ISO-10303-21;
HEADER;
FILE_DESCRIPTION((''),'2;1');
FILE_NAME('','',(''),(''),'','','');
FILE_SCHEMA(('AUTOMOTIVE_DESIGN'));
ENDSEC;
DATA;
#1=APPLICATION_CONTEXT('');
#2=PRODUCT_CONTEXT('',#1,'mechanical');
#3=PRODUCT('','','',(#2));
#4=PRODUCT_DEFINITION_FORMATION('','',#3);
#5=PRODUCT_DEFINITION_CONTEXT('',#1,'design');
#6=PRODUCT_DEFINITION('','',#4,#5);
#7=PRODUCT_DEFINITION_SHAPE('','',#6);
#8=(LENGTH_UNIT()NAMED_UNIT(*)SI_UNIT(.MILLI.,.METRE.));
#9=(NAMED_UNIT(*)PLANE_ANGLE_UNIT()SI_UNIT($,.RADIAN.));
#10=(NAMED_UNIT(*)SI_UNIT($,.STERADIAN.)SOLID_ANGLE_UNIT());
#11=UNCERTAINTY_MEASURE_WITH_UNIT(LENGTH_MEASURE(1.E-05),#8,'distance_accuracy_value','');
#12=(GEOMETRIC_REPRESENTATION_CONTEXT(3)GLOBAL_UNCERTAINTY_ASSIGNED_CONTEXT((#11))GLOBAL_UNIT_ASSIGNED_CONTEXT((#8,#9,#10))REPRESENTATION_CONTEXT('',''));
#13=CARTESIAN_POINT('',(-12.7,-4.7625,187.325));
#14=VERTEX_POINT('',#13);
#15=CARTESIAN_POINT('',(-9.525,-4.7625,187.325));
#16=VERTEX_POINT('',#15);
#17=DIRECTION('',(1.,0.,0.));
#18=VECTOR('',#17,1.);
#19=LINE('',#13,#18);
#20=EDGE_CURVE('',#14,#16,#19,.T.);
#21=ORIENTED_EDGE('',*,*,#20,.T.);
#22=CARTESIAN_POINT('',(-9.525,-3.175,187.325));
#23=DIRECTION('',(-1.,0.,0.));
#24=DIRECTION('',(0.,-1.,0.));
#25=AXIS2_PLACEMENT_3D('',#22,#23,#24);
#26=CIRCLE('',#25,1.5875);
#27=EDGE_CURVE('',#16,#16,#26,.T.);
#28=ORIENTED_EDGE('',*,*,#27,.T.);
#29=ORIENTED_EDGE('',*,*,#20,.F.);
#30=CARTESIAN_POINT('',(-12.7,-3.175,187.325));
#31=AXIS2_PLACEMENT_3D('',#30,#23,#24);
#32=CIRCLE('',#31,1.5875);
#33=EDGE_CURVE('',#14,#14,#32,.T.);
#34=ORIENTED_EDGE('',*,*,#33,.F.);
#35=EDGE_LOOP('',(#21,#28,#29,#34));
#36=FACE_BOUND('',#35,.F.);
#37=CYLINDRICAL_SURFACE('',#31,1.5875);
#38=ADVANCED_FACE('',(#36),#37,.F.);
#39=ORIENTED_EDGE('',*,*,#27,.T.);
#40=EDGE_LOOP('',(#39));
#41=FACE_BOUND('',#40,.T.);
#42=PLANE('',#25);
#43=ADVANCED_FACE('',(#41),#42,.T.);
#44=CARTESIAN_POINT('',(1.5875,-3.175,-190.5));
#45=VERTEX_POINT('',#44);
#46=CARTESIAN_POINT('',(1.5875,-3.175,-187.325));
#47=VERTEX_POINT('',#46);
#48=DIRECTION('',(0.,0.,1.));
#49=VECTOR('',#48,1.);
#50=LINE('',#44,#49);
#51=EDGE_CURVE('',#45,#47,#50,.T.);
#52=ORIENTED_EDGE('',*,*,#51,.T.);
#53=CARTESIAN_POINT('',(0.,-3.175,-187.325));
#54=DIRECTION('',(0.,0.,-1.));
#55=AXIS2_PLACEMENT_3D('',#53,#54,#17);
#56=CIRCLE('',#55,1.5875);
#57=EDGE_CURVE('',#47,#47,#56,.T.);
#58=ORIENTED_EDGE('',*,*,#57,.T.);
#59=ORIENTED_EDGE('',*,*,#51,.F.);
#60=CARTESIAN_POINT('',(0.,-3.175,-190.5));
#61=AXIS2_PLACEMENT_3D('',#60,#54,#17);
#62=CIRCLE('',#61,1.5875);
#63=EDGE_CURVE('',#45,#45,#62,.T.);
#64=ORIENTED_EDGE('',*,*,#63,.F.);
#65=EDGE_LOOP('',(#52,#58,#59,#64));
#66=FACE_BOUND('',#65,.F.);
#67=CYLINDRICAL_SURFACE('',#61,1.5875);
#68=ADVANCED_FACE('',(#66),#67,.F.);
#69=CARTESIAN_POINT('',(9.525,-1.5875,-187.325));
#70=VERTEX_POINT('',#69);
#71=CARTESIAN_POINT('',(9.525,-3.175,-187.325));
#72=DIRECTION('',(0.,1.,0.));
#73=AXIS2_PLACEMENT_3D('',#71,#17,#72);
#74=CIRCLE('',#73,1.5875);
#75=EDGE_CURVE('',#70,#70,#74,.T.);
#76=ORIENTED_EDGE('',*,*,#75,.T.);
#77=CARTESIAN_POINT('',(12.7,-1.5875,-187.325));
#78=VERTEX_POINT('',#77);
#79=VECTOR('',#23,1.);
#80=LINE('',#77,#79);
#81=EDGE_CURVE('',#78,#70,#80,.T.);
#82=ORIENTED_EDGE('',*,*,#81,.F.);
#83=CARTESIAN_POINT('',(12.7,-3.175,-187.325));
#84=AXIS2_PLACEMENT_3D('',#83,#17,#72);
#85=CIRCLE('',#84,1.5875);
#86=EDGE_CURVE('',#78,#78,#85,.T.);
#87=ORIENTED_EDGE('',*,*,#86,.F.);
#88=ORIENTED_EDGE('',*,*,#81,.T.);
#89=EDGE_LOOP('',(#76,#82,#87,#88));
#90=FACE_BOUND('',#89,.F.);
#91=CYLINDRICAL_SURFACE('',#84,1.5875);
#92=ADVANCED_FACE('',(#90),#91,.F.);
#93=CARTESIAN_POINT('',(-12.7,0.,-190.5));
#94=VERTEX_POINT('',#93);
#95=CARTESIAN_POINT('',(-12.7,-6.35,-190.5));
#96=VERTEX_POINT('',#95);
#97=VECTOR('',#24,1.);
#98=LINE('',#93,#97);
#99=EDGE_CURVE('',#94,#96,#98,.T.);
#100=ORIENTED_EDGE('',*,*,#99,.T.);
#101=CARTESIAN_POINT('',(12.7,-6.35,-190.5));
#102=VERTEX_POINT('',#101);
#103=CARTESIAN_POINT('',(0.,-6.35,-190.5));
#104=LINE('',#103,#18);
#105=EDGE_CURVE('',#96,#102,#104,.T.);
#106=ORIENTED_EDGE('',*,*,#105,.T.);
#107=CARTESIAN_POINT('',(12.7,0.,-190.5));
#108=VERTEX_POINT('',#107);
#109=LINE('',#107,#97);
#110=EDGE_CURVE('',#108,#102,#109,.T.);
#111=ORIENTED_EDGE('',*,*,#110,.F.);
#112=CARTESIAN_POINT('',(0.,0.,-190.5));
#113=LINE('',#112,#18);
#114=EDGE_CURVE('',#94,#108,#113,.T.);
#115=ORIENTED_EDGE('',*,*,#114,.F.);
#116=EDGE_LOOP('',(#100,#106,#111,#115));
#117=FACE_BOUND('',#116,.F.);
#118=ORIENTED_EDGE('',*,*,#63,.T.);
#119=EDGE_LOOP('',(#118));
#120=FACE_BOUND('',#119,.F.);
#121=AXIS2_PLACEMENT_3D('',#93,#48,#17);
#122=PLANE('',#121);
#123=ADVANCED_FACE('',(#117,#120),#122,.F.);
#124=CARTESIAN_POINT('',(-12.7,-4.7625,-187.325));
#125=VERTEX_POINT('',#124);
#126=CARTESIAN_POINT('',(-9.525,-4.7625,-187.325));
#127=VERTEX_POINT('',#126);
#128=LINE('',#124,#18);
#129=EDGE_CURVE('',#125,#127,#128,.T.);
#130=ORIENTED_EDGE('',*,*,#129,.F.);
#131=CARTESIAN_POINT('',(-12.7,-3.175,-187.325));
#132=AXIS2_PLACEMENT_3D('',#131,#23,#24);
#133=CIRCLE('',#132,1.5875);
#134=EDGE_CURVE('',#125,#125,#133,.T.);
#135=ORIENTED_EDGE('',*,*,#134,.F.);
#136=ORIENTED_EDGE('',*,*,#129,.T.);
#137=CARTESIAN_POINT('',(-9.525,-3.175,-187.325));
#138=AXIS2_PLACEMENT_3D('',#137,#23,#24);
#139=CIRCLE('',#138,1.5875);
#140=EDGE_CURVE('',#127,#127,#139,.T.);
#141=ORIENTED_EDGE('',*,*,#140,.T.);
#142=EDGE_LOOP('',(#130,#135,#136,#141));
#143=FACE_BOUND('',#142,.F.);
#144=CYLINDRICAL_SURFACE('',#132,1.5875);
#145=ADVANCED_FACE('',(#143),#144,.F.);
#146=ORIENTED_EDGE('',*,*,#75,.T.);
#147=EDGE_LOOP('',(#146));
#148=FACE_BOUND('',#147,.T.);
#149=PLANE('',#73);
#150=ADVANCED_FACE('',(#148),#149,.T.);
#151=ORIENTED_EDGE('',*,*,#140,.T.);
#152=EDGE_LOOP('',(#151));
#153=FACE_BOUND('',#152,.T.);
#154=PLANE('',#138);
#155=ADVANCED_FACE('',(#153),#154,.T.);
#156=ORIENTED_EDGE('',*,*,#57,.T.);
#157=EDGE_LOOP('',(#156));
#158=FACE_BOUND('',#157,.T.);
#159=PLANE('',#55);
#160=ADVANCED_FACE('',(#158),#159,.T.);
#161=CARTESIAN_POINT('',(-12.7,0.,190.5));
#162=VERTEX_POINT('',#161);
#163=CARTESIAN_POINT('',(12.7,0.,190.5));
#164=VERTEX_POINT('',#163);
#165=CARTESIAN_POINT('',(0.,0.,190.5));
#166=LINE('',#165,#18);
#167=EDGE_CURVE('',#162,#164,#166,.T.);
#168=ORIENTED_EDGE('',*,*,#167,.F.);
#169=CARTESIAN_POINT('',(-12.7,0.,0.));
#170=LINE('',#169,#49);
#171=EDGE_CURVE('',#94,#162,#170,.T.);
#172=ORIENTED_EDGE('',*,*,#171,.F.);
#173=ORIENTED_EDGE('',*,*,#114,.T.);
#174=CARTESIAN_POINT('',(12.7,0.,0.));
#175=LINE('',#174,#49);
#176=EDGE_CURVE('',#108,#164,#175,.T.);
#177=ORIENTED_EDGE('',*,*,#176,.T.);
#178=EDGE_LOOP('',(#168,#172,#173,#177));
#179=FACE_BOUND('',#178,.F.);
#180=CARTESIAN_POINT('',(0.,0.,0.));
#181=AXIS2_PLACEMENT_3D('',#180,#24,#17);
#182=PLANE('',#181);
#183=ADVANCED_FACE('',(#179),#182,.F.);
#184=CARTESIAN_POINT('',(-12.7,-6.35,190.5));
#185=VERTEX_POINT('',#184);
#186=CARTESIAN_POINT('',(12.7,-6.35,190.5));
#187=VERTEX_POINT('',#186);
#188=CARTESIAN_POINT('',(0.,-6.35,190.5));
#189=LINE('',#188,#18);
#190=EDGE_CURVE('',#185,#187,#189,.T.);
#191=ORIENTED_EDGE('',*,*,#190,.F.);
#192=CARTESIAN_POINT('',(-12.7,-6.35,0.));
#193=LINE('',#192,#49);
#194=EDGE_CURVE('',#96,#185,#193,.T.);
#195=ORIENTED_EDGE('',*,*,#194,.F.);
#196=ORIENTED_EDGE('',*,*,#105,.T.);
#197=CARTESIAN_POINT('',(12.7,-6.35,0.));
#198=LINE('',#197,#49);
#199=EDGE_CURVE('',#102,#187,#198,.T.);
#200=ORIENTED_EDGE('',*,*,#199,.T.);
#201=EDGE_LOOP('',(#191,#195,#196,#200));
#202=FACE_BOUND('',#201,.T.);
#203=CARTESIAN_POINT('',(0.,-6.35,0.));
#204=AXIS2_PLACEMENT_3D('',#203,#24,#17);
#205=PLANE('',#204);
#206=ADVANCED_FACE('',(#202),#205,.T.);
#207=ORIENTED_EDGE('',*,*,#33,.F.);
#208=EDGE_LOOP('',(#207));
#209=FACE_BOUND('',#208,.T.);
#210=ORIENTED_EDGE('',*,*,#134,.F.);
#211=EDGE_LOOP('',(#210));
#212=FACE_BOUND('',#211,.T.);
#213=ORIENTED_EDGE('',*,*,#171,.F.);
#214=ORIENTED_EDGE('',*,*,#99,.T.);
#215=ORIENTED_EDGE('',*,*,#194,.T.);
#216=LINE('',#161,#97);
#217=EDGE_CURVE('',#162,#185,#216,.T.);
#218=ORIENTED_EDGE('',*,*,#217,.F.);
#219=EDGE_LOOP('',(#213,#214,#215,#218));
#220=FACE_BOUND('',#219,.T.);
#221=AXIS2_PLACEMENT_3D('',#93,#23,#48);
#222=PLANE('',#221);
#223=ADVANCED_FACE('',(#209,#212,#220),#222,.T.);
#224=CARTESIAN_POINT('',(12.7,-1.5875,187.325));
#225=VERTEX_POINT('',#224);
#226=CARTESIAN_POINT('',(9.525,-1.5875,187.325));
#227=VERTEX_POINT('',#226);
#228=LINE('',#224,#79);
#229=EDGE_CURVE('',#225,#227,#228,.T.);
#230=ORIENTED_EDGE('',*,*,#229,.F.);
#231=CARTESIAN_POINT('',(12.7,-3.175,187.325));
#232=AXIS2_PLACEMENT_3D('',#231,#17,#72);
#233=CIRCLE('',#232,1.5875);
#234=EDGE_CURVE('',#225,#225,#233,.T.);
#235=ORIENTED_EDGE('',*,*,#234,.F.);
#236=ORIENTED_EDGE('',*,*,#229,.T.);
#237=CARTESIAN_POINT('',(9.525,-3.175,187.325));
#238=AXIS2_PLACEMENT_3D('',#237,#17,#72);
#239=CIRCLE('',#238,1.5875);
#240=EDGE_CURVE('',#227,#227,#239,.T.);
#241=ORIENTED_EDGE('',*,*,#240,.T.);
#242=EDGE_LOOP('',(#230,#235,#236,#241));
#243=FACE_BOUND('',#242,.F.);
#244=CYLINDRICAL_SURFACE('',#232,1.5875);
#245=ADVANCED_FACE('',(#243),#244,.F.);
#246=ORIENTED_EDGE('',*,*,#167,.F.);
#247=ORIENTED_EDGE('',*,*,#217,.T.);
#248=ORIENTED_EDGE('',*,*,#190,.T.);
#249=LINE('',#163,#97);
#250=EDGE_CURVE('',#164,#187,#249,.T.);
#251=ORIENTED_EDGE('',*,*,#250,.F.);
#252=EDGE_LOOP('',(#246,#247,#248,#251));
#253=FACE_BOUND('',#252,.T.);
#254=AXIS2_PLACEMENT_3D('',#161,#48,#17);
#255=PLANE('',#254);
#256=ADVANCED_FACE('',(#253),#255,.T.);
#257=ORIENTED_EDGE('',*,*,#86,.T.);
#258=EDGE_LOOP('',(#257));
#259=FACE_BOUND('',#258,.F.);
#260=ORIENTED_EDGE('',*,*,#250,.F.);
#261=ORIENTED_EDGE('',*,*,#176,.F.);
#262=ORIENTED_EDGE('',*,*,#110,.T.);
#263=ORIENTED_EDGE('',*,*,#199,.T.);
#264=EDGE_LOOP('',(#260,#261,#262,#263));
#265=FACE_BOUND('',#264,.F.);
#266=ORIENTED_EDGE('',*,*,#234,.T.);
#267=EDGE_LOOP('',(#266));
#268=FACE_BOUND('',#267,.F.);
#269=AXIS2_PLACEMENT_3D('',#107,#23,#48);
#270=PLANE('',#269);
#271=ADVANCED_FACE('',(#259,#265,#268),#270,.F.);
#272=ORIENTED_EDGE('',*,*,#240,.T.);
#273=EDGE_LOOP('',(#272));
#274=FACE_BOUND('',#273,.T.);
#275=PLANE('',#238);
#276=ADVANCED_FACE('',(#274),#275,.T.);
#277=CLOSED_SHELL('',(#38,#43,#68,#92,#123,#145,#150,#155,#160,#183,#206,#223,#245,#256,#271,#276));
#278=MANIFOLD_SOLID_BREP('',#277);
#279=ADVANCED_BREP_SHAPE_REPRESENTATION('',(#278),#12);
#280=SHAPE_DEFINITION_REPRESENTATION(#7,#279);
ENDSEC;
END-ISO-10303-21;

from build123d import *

# Parameters (mm, degrees)
F0_W     = 25.4
F0_H     = 381
F1_DEPTH = 6.35
F2_R     = 1.5875
F3_DEPTH = 3.175
F4_R     = 1.5875
F5_DEPTH = 3.175
F6_R     = 1.5875
F7_DEPTH = 3.175


with BuildPart() as f1:
    # F0 (on Front) → F1 (new body)
    with BuildSketch(Plane.XZ):
        Rectangle(F0_W, F0_H)
    extrude(amount=F1_DEPTH)

    # F2 (on face) → F3 (cut)
    with BuildSketch(Plane.YZ.offset(12.7)):
        with Locations((-3.175, 187.325)):
            Circle(F2_R)
        with Locations((-3.175, -187.325)):
            Circle(F2_R)
    extrude(amount=-F3_DEPTH, mode=Mode.SUBTRACT)

    # F4 (on face) → F5 (cut)
    with BuildSketch(Plane(origin=(-12.7, 0, 0), x_dir=(0, -1, 0), z_dir=(-1, 0, 0))):
        with Locations((3.175, 187.325)):
            Circle(F4_R)
        with Locations((3.175, -187.325)):
            Circle(F4_R)
    extrude(amount=-F5_DEPTH, mode=Mode.SUBTRACT)

    # F6 (on face) → F7 (cut)
    with BuildSketch(Plane(origin=(0, 0, -190.5), x_dir=(1, 0, 0), z_dir=(0, 0, -1))):
        with Locations((0, 3.175)):
            Circle(F6_R)
    extrude(amount=-F7_DEPTH, mode=Mode.SUBTRACT)


solid = f1.part
